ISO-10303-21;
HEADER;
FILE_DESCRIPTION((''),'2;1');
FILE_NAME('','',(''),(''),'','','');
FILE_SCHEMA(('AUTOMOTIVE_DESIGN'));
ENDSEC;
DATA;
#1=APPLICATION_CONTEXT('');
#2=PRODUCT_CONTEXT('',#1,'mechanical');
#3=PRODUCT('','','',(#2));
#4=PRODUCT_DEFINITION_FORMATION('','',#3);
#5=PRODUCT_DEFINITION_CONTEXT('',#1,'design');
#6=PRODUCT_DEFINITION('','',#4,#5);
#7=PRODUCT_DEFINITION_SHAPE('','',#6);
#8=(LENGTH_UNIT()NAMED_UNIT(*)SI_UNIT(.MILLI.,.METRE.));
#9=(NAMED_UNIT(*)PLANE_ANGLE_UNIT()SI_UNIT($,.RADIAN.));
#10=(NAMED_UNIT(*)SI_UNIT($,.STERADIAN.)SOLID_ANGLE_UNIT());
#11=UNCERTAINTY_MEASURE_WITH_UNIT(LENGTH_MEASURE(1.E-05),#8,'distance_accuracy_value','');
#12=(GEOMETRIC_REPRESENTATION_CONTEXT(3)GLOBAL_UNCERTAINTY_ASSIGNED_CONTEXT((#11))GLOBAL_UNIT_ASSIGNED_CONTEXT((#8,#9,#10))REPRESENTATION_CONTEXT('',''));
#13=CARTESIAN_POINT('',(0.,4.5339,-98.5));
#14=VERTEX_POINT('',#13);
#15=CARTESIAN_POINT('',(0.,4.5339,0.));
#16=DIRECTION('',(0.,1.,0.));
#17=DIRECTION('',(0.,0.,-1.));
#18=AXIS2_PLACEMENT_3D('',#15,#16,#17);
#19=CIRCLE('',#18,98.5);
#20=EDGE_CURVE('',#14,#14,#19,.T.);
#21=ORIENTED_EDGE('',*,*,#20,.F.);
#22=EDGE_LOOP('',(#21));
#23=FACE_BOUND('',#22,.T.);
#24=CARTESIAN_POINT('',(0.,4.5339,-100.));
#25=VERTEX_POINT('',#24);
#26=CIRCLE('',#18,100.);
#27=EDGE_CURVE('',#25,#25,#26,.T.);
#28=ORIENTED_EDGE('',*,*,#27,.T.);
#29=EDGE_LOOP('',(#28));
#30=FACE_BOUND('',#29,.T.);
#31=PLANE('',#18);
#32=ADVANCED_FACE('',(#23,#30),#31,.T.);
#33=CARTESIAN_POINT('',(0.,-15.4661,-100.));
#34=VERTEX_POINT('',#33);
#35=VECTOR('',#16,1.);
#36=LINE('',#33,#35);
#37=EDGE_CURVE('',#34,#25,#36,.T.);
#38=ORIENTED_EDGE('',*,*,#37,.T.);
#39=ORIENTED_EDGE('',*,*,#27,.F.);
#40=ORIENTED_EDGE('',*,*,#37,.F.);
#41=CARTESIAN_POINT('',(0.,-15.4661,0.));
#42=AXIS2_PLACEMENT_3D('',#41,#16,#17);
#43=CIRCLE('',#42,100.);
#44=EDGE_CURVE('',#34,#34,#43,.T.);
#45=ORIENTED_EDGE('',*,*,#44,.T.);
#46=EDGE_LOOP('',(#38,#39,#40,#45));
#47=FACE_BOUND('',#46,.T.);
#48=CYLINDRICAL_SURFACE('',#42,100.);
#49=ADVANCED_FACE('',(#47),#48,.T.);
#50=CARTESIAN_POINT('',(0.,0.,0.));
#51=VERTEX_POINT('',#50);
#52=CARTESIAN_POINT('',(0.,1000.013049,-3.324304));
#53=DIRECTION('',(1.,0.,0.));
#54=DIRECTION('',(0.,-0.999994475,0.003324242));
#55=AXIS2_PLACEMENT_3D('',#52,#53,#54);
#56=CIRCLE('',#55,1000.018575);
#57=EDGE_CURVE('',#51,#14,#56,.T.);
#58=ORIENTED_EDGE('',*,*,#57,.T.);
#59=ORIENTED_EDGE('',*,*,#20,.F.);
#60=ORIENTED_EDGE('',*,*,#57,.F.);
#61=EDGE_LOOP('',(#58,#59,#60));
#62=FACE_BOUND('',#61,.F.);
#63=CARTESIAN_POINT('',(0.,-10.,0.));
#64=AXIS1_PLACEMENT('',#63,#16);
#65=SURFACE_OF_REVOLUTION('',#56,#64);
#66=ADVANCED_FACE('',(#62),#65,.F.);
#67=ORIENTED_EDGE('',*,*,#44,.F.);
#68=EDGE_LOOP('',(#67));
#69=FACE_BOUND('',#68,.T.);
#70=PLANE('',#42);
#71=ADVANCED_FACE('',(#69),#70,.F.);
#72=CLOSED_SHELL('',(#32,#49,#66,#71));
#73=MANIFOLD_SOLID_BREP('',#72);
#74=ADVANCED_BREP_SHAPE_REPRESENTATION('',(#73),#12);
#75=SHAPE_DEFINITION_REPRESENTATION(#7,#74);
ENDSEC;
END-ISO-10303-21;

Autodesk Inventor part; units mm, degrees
ref_plane "YZ Plane" through (0, 0, 0) normal (1, 0, 0) x (0, 1, 0)
ref_plane "XZ Plane" through (0, 0, 0) normal (0, 1, 0) x (-1, 0, 0)
ref_plane "XY Plane" through (0, 0, 0) normal (0, 0, 1) x (1, 0, 0)
sketch "Szkic2" plane through (0, 0, 0) normal (1, 0, 0) x (0, 1, 0)
  line L0 (-15.4661, 0) -> (-15.4661, -100)
  line L1 (-15.4661, -100) -> (4.5339, -100)
  arc A0 (0, 0) -> (4.5339, -98.5) centre (999.9945, -3.3247) ccw
  line L2 (4.5339, -100) -> (4.5339, -98.5)
  line L3 (0, 0) -> (-15.4661, 0)
  line L4 (-218.5582, 0) -> (1203.0866, 0) projected
  dimension "d1" = 1000
  dimension "d6" = 1.5
  dimension "d7" = 20
  dimension "d9" = 100
revolve "Obrót1" add sketch "Szkic2" angle 360 about axis through (0, -10, 0) along (0, 1, 0)
properties part number "Mirror" material "Szkło"
